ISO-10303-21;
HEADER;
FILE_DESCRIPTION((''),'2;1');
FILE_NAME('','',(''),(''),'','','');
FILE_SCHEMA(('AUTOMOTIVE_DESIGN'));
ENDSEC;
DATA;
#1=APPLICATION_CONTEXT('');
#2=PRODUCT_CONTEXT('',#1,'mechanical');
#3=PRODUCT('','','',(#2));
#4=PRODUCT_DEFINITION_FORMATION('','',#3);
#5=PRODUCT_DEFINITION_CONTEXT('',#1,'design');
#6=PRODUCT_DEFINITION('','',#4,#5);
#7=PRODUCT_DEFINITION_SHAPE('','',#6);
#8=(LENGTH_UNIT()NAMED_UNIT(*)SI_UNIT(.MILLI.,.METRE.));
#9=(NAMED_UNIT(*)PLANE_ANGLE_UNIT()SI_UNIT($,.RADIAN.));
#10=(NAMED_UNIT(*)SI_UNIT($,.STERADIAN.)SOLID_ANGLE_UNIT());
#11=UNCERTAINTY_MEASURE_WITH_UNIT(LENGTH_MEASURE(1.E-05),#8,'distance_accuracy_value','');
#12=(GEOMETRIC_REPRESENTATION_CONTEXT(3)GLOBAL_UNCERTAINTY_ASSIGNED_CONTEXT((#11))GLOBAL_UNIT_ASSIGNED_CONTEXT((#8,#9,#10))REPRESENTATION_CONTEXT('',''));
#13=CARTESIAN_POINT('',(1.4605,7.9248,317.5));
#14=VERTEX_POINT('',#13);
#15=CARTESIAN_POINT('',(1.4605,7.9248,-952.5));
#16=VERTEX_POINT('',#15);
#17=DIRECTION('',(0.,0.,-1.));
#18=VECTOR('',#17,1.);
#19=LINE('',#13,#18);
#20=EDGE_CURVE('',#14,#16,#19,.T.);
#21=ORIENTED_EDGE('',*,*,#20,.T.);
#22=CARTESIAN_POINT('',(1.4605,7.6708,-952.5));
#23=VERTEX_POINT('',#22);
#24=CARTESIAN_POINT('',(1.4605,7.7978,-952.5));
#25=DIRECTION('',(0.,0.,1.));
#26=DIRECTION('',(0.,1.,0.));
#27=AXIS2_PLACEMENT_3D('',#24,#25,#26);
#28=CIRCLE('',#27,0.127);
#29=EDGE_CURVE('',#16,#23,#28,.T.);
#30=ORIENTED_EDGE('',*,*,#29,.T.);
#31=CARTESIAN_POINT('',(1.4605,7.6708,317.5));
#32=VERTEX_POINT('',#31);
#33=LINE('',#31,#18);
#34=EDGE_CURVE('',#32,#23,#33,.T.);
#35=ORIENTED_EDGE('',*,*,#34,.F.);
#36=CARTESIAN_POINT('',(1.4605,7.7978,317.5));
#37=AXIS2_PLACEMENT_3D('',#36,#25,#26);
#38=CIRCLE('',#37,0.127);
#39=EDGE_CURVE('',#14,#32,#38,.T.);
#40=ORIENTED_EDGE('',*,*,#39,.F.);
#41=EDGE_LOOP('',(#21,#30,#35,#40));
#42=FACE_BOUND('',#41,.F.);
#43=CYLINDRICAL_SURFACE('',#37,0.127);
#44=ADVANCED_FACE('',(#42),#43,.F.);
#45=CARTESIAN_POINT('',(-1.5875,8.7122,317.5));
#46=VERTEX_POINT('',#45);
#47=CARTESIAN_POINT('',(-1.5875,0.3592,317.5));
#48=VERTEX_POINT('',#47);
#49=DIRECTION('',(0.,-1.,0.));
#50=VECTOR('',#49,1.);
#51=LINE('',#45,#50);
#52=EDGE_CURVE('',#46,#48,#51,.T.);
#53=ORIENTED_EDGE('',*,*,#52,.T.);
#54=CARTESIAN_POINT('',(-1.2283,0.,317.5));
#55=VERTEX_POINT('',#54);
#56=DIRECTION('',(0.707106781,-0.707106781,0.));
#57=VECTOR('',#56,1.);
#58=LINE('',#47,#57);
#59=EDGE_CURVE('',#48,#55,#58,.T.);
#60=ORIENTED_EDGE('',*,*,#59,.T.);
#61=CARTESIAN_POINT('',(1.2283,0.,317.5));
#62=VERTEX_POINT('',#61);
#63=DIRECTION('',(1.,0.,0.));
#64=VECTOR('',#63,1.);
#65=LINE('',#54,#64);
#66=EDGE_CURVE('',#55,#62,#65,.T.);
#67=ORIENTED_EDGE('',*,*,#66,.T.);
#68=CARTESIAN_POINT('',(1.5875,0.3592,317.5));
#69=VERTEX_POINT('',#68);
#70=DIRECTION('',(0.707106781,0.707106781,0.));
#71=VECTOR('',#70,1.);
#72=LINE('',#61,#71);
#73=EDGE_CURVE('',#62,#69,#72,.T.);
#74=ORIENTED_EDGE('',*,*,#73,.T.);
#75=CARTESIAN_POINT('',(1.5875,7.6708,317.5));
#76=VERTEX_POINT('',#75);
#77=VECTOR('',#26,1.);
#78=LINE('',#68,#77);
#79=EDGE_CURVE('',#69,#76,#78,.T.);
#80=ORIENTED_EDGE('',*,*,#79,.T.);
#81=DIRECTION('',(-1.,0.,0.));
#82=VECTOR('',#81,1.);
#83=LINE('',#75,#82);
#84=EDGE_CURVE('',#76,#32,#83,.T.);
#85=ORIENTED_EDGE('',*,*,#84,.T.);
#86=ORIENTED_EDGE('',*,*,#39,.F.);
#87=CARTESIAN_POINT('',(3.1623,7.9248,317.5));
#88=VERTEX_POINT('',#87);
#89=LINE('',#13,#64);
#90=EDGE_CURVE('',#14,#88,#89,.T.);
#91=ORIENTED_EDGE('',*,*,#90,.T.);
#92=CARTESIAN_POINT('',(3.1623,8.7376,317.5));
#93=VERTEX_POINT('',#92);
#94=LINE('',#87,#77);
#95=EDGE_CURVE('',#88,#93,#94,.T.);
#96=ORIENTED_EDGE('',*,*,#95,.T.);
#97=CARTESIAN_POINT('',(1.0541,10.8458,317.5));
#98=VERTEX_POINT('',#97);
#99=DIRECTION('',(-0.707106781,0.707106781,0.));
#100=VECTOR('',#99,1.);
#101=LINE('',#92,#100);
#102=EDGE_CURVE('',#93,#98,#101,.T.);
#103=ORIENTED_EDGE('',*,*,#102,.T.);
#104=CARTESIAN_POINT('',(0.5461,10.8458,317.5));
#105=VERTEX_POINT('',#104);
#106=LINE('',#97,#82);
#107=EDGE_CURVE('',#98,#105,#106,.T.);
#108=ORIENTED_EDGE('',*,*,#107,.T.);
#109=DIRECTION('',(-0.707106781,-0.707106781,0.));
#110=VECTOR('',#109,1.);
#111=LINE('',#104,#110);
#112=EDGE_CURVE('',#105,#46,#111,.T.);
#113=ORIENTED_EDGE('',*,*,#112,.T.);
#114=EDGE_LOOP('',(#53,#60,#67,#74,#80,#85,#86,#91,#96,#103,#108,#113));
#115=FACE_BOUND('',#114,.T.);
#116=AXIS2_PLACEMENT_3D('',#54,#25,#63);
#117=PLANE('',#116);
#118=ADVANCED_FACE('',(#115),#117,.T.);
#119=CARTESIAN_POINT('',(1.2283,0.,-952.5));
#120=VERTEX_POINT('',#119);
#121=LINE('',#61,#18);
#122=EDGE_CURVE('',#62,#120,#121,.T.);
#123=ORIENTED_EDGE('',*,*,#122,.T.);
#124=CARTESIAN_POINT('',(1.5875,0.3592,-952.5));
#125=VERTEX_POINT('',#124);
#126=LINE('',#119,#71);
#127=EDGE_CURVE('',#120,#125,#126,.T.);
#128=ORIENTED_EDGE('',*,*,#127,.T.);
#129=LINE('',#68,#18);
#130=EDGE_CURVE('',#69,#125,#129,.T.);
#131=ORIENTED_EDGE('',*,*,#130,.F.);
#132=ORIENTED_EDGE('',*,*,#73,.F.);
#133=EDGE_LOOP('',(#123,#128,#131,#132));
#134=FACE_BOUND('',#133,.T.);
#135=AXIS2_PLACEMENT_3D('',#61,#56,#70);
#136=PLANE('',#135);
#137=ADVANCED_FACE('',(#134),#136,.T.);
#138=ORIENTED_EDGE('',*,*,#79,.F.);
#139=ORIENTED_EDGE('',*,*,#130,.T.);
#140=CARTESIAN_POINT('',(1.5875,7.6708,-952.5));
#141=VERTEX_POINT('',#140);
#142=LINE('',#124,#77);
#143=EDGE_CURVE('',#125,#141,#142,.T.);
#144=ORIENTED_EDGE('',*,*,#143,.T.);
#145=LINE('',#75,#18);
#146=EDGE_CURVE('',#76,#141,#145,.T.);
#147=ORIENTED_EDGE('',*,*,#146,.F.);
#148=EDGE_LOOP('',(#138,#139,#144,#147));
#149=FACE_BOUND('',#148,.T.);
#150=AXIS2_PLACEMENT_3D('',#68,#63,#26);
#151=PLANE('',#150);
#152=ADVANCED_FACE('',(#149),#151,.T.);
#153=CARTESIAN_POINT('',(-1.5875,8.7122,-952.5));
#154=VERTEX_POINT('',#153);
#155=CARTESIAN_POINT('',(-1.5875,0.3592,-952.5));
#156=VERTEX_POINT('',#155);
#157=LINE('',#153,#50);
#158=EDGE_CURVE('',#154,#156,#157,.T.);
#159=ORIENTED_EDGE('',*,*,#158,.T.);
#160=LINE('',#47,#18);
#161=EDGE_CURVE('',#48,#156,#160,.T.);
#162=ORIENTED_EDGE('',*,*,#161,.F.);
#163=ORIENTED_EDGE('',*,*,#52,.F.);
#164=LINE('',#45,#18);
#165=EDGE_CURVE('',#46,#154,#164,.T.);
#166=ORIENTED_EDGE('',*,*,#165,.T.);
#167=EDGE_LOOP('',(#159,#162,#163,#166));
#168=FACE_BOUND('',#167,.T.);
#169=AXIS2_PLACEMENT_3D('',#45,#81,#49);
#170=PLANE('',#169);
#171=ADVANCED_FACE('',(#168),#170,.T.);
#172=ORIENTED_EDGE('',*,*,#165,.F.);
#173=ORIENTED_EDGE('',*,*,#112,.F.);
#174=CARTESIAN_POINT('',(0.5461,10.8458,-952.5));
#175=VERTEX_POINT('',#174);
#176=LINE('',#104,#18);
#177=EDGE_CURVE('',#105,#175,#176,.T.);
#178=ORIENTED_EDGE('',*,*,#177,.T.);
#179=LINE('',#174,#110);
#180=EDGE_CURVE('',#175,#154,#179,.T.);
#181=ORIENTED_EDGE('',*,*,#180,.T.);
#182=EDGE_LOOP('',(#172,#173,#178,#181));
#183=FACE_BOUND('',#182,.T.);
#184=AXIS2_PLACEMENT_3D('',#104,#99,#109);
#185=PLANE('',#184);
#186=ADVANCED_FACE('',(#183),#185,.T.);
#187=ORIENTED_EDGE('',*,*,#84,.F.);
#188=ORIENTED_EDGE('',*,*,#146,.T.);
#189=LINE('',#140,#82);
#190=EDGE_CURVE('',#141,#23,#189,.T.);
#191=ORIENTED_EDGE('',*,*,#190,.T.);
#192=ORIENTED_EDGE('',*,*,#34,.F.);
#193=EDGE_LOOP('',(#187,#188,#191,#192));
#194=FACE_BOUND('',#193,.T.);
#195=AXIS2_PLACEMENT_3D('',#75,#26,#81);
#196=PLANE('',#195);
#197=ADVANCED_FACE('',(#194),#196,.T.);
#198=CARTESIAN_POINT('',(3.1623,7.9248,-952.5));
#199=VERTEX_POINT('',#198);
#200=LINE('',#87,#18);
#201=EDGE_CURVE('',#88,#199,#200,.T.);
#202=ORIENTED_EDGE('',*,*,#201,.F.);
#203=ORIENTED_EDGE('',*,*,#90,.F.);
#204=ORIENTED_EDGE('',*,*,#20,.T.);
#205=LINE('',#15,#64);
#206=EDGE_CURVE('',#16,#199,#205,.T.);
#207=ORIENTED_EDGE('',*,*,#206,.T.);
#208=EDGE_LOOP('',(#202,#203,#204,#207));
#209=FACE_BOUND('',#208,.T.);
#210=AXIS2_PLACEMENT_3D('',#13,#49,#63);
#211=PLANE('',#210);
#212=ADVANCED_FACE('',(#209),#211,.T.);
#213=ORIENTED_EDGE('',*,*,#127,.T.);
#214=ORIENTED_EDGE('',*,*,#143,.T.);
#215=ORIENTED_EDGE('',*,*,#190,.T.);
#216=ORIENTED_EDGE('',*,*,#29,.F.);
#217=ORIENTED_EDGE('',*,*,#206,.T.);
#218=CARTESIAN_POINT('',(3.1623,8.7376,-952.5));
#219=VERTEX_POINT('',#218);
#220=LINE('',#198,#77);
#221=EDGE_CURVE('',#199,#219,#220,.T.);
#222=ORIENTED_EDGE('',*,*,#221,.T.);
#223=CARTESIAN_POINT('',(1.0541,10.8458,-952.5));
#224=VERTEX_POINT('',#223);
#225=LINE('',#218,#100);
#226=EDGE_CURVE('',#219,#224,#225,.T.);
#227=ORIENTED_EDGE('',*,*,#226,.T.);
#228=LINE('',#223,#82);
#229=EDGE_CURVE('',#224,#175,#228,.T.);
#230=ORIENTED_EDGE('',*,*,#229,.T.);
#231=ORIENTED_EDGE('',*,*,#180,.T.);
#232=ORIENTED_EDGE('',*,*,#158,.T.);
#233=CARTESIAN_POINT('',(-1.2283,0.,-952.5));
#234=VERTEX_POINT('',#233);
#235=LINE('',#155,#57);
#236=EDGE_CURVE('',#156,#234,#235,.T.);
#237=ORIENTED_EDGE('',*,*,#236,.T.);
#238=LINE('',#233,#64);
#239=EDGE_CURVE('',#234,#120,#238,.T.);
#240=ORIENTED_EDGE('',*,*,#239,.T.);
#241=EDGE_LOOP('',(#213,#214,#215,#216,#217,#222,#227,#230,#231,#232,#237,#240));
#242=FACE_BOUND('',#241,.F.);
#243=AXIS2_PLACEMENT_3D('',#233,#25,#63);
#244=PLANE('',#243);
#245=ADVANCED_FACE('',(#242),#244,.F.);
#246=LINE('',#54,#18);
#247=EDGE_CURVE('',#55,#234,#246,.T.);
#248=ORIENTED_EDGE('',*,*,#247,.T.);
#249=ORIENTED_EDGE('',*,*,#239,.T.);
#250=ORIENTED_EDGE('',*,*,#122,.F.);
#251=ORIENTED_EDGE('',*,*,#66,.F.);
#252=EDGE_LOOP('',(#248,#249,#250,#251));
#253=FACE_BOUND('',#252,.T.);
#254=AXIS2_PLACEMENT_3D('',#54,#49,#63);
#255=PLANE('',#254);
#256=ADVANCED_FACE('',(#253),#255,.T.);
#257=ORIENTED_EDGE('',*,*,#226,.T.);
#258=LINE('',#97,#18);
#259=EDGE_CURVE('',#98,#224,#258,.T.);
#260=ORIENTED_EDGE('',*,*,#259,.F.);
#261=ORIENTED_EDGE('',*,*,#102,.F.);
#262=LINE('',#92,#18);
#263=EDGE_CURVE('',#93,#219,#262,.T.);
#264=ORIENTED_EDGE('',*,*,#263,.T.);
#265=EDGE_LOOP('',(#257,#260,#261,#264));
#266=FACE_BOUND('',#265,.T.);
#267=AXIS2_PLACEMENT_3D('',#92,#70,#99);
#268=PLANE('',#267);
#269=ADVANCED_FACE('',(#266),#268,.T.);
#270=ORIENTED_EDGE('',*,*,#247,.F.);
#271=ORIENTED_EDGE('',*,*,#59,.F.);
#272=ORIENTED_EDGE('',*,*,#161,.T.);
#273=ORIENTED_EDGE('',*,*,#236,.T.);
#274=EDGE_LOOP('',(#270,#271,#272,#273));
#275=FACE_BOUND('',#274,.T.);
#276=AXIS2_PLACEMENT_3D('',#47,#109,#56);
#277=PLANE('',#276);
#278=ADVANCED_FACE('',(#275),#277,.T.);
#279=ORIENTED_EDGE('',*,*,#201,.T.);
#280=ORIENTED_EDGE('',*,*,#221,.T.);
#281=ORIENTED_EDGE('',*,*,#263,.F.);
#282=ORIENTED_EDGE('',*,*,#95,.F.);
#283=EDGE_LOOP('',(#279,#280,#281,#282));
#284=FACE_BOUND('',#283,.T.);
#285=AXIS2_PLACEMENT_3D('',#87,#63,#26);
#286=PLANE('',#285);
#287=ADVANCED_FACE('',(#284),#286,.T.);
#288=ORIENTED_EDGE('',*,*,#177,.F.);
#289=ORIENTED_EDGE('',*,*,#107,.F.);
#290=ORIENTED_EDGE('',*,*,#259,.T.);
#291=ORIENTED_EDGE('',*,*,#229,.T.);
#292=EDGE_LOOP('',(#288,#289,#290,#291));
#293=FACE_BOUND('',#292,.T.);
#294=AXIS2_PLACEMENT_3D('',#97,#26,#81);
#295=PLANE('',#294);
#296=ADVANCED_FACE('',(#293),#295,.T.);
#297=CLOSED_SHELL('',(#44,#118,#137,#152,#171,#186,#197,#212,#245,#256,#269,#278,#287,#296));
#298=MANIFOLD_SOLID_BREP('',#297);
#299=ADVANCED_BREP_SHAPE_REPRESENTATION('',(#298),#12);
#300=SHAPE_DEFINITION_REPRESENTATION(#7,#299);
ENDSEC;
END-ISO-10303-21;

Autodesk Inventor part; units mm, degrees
ref_plane "YZ Plane" through (0, 0, 0) normal (1, 0, 0) x (0, 1, 0)
ref_plane "XZ Plane" through (0, 0, 0) normal (0, 1, 0) x (-1, 0, 0)
ref_plane "Work Plane1" through (-1.2283, 0, 317.5) normal (0, 0, 1) x (1, 0, 0)
sketch "Sketch1" plane through (-1.2283, 0, 317.5) normal (0, 0, 1) x (1, 0, 0)
  line L0 (-0.3592, 8.7122) -> (-0.3592, 0.3592) projected
  line L1 (-0.3592, 0.3592) -> (0, 0) projected
  line L2 (0, 0) -> (2.4566, 0) projected
  line L3 (2.4566, 0) -> (2.8158, 0.3592) projected
  line L4 (2.8158, 0.3592) -> (2.8158, 7.6708) projected
  line L5 (2.8158, 7.6708) -> (2.6888, 7.6708) projected
  arc A0 (2.6888, 7.9248) -> (2.6888, 7.6708) centre (2.6888, 7.7978) ccw projected
  line L6 (2.6888, 7.9248) -> (4.3906, 7.9248) projected
  line L7 (4.3906, 7.9248) -> (4.3906, 8.7376) projected
  line L8 (4.3906, 8.7376) -> (2.2824, 10.8458) projected
  line L9 (2.2824, 10.8458) -> (1.7744, 10.8458) projected
  line L10 (1.7744, 10.8458) -> (-0.3592, 8.7122) projected
  point P0 (1.2283, 0)
extrude "Extrusion1" add sketch "Sketch1" against normal blind 1270
properties part number "vee-track-x"
